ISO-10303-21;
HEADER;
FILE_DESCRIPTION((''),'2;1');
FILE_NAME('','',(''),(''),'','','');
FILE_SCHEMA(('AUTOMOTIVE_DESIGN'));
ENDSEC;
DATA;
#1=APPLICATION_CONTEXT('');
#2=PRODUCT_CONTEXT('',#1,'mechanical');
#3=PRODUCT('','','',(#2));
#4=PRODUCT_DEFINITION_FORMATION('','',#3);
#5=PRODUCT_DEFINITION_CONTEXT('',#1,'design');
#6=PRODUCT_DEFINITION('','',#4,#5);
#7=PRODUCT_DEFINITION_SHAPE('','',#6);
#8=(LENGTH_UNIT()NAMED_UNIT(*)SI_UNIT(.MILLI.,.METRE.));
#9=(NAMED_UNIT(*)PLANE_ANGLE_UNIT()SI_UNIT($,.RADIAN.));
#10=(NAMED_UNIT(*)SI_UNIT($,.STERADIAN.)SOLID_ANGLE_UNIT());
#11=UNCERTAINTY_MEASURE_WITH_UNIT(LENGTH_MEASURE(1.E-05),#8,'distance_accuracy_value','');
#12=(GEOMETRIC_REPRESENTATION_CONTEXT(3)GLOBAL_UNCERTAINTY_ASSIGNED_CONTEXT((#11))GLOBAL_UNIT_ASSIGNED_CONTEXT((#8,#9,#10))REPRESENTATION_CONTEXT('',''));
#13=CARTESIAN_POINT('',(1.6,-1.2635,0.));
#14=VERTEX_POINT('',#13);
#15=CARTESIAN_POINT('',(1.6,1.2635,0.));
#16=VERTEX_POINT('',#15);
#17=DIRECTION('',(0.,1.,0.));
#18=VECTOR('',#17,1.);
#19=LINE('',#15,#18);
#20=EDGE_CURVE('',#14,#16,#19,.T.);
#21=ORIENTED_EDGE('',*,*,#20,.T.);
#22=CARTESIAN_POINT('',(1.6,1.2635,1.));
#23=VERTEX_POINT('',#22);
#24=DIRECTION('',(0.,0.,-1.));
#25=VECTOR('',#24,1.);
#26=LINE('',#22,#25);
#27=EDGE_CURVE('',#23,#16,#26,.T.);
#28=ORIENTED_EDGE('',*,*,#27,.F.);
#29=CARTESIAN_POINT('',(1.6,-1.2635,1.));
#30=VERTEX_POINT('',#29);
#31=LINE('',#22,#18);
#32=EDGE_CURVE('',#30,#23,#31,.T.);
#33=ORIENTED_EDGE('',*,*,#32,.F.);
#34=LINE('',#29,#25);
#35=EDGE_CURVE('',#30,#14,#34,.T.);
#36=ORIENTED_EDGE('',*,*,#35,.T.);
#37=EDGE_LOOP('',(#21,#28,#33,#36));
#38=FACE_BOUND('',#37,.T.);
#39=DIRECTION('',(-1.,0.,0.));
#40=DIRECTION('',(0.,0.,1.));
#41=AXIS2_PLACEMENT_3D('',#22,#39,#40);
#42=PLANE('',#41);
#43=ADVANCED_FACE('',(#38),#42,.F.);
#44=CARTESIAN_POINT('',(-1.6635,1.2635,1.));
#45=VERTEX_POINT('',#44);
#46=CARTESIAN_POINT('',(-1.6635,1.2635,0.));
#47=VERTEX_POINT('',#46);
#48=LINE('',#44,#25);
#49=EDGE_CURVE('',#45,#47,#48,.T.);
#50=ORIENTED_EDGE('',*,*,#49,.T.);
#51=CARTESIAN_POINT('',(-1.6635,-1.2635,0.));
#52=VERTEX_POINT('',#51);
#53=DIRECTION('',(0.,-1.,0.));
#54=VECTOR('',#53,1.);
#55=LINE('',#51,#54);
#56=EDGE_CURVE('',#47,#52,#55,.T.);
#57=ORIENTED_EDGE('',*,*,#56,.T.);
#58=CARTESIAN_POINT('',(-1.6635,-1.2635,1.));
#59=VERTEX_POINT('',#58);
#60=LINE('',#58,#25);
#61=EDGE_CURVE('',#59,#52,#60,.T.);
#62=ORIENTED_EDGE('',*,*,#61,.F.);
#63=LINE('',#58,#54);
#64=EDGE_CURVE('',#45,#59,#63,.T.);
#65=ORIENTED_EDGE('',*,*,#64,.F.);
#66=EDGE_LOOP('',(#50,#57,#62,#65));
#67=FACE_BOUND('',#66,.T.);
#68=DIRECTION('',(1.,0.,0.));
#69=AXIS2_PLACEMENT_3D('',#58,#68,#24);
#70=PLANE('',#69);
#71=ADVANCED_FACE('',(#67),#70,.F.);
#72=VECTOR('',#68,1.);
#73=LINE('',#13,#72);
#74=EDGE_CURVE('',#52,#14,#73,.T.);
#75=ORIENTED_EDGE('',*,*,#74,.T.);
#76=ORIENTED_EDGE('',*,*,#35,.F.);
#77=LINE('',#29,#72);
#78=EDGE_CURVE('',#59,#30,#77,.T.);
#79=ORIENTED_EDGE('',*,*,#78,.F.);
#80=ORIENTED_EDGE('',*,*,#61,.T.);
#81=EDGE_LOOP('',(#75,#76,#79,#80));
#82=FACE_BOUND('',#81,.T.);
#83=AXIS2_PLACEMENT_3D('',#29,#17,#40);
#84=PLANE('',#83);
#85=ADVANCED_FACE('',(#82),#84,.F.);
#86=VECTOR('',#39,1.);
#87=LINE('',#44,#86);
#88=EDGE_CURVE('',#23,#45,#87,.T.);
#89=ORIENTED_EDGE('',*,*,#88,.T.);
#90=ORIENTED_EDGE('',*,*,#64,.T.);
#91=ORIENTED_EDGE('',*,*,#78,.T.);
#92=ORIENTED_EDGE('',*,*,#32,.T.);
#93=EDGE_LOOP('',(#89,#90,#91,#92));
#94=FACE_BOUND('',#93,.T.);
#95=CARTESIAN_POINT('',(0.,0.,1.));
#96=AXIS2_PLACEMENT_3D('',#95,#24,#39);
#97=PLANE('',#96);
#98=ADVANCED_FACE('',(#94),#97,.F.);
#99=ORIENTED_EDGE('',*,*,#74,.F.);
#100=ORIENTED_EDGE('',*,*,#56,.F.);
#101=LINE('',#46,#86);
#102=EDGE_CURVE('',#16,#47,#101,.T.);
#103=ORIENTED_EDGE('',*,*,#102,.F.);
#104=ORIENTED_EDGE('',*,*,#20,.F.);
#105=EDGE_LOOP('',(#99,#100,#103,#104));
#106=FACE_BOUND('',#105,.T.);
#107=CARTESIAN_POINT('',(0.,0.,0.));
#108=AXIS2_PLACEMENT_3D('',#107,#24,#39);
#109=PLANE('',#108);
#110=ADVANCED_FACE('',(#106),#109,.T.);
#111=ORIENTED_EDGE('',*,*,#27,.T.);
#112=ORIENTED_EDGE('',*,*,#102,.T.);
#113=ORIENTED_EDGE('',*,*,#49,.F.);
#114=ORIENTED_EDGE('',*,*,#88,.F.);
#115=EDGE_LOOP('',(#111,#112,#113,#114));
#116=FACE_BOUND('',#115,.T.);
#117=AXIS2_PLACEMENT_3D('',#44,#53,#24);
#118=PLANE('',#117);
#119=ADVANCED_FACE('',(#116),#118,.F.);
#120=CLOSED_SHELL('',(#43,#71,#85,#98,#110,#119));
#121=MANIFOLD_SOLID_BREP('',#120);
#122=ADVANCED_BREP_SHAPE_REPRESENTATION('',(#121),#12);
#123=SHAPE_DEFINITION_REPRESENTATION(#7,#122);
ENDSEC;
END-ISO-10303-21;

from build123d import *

# Parameters (mm, degrees)
SKETCH1_W               = 3.2635
SKETCH1_H               = 2.527
COMPONENT_OUTLINE_DEPTH = 1


with BuildPart() as part:
    # Sketch1 → Component_Outline (new body)
    with BuildSketch(Plane.XY):
        with Locations((-0.03175, 0)):
            Rectangle(SKETCH1_W, SKETCH1_H)
    extrude(amount=COMPONENT_OUTLINE_DEPTH)


solid = part.part
